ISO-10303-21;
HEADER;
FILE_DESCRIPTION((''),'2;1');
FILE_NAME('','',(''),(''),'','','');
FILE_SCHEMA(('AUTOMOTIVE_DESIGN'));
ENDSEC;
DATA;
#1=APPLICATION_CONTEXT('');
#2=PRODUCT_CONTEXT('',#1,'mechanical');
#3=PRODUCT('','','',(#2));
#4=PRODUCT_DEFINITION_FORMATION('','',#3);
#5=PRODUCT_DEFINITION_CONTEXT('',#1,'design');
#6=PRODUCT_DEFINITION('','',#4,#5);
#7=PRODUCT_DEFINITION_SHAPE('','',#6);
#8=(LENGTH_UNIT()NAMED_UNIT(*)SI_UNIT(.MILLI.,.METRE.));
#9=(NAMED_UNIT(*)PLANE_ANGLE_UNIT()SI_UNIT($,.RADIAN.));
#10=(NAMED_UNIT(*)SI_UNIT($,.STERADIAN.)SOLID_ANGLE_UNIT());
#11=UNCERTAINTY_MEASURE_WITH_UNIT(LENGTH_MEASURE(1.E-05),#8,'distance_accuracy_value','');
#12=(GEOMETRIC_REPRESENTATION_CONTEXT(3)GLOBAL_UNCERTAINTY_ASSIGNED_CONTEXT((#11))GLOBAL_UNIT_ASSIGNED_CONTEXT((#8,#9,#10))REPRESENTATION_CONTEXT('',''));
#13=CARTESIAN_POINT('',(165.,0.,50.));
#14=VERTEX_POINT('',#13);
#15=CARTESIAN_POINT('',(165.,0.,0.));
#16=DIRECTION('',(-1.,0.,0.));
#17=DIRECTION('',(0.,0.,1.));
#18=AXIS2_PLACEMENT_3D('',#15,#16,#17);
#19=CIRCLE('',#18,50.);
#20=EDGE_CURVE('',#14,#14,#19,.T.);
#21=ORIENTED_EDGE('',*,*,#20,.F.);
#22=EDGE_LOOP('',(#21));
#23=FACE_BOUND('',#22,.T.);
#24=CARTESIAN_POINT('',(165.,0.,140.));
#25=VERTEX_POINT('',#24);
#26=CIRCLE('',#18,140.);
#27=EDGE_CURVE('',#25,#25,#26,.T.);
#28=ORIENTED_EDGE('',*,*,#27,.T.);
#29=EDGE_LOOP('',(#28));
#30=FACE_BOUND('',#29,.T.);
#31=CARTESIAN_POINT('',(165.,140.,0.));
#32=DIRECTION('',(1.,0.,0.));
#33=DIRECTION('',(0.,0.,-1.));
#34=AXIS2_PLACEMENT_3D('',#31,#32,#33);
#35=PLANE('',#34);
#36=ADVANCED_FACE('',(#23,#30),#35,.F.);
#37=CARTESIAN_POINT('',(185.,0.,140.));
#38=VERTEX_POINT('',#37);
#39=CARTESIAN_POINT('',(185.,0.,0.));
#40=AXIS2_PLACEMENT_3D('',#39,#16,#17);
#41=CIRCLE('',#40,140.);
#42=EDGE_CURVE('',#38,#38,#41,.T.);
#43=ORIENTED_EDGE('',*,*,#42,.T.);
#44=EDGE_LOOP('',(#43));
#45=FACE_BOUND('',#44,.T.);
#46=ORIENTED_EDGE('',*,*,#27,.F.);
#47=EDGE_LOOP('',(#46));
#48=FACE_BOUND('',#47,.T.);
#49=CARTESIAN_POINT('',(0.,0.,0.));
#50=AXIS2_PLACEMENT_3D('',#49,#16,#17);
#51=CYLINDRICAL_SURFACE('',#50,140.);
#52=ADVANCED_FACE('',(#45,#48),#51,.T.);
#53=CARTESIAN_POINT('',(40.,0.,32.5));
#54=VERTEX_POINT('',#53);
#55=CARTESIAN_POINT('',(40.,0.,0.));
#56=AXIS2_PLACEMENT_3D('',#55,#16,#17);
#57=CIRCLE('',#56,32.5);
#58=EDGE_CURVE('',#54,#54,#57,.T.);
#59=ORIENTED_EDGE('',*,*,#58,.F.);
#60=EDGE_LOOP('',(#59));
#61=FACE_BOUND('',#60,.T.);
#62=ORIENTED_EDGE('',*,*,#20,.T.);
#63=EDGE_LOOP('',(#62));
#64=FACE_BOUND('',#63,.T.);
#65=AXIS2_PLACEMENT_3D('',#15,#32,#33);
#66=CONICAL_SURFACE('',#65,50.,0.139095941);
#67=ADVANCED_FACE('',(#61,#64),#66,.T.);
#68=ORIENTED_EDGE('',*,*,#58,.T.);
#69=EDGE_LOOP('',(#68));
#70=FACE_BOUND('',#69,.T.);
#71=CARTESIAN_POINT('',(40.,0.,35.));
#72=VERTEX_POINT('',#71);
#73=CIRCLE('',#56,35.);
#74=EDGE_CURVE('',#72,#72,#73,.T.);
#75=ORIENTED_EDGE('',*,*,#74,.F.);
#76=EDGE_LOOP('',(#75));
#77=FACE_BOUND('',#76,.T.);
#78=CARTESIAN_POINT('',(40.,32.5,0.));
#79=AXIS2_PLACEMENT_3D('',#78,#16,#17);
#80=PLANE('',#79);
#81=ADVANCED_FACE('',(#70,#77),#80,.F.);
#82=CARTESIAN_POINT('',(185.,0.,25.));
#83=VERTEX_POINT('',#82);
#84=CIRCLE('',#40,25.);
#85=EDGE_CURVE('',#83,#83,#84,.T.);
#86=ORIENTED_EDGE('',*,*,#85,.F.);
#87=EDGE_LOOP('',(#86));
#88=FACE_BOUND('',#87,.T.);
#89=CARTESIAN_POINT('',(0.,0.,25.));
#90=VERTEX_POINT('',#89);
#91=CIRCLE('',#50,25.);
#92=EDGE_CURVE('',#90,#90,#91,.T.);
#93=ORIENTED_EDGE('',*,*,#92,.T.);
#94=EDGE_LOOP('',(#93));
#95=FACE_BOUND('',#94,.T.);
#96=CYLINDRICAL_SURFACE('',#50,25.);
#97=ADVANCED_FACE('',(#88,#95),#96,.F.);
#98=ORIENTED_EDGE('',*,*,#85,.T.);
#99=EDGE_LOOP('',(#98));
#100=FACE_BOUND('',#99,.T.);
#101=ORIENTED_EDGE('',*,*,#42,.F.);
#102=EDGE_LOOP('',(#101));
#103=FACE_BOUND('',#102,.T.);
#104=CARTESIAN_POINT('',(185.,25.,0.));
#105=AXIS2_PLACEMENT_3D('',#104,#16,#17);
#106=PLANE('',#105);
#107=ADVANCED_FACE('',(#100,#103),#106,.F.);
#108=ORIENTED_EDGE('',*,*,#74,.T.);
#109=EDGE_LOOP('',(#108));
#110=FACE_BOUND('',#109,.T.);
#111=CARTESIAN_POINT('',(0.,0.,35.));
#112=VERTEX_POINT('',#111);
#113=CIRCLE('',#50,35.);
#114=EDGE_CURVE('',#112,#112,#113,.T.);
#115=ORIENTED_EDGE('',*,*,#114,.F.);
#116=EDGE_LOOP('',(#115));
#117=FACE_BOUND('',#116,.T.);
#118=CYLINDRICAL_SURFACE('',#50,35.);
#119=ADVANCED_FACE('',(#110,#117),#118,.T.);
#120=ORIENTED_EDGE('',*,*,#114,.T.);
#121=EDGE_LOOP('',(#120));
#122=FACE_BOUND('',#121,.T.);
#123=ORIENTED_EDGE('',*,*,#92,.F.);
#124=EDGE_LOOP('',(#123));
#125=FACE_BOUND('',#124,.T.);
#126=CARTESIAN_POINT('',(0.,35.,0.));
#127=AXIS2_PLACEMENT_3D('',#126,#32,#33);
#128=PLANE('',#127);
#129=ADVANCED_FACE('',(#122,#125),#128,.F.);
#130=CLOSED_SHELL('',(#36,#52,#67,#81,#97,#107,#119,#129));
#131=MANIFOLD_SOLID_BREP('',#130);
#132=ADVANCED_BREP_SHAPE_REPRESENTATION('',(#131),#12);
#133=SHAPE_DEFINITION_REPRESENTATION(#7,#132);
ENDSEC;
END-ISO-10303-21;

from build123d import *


with BuildPart() as part:
    # Sketch1 → Revolve1 (revolve)
    with BuildSketch(Plane.XY, mode=Mode.PRIVATE) as revolve1_sk:
        Polygon((185, 25), (185, 140), (165, 140), (165, 50), (40, 32.5), (40, 35), (0, 35), (0, 25), align=None)
    revolve(revolve1_sk.sketch.rotate(Axis((0, 0, 0), (1, 0, 0)), 90), axis=Axis((0, 0, 0), (1, 0, 0)))


solid = part.part
